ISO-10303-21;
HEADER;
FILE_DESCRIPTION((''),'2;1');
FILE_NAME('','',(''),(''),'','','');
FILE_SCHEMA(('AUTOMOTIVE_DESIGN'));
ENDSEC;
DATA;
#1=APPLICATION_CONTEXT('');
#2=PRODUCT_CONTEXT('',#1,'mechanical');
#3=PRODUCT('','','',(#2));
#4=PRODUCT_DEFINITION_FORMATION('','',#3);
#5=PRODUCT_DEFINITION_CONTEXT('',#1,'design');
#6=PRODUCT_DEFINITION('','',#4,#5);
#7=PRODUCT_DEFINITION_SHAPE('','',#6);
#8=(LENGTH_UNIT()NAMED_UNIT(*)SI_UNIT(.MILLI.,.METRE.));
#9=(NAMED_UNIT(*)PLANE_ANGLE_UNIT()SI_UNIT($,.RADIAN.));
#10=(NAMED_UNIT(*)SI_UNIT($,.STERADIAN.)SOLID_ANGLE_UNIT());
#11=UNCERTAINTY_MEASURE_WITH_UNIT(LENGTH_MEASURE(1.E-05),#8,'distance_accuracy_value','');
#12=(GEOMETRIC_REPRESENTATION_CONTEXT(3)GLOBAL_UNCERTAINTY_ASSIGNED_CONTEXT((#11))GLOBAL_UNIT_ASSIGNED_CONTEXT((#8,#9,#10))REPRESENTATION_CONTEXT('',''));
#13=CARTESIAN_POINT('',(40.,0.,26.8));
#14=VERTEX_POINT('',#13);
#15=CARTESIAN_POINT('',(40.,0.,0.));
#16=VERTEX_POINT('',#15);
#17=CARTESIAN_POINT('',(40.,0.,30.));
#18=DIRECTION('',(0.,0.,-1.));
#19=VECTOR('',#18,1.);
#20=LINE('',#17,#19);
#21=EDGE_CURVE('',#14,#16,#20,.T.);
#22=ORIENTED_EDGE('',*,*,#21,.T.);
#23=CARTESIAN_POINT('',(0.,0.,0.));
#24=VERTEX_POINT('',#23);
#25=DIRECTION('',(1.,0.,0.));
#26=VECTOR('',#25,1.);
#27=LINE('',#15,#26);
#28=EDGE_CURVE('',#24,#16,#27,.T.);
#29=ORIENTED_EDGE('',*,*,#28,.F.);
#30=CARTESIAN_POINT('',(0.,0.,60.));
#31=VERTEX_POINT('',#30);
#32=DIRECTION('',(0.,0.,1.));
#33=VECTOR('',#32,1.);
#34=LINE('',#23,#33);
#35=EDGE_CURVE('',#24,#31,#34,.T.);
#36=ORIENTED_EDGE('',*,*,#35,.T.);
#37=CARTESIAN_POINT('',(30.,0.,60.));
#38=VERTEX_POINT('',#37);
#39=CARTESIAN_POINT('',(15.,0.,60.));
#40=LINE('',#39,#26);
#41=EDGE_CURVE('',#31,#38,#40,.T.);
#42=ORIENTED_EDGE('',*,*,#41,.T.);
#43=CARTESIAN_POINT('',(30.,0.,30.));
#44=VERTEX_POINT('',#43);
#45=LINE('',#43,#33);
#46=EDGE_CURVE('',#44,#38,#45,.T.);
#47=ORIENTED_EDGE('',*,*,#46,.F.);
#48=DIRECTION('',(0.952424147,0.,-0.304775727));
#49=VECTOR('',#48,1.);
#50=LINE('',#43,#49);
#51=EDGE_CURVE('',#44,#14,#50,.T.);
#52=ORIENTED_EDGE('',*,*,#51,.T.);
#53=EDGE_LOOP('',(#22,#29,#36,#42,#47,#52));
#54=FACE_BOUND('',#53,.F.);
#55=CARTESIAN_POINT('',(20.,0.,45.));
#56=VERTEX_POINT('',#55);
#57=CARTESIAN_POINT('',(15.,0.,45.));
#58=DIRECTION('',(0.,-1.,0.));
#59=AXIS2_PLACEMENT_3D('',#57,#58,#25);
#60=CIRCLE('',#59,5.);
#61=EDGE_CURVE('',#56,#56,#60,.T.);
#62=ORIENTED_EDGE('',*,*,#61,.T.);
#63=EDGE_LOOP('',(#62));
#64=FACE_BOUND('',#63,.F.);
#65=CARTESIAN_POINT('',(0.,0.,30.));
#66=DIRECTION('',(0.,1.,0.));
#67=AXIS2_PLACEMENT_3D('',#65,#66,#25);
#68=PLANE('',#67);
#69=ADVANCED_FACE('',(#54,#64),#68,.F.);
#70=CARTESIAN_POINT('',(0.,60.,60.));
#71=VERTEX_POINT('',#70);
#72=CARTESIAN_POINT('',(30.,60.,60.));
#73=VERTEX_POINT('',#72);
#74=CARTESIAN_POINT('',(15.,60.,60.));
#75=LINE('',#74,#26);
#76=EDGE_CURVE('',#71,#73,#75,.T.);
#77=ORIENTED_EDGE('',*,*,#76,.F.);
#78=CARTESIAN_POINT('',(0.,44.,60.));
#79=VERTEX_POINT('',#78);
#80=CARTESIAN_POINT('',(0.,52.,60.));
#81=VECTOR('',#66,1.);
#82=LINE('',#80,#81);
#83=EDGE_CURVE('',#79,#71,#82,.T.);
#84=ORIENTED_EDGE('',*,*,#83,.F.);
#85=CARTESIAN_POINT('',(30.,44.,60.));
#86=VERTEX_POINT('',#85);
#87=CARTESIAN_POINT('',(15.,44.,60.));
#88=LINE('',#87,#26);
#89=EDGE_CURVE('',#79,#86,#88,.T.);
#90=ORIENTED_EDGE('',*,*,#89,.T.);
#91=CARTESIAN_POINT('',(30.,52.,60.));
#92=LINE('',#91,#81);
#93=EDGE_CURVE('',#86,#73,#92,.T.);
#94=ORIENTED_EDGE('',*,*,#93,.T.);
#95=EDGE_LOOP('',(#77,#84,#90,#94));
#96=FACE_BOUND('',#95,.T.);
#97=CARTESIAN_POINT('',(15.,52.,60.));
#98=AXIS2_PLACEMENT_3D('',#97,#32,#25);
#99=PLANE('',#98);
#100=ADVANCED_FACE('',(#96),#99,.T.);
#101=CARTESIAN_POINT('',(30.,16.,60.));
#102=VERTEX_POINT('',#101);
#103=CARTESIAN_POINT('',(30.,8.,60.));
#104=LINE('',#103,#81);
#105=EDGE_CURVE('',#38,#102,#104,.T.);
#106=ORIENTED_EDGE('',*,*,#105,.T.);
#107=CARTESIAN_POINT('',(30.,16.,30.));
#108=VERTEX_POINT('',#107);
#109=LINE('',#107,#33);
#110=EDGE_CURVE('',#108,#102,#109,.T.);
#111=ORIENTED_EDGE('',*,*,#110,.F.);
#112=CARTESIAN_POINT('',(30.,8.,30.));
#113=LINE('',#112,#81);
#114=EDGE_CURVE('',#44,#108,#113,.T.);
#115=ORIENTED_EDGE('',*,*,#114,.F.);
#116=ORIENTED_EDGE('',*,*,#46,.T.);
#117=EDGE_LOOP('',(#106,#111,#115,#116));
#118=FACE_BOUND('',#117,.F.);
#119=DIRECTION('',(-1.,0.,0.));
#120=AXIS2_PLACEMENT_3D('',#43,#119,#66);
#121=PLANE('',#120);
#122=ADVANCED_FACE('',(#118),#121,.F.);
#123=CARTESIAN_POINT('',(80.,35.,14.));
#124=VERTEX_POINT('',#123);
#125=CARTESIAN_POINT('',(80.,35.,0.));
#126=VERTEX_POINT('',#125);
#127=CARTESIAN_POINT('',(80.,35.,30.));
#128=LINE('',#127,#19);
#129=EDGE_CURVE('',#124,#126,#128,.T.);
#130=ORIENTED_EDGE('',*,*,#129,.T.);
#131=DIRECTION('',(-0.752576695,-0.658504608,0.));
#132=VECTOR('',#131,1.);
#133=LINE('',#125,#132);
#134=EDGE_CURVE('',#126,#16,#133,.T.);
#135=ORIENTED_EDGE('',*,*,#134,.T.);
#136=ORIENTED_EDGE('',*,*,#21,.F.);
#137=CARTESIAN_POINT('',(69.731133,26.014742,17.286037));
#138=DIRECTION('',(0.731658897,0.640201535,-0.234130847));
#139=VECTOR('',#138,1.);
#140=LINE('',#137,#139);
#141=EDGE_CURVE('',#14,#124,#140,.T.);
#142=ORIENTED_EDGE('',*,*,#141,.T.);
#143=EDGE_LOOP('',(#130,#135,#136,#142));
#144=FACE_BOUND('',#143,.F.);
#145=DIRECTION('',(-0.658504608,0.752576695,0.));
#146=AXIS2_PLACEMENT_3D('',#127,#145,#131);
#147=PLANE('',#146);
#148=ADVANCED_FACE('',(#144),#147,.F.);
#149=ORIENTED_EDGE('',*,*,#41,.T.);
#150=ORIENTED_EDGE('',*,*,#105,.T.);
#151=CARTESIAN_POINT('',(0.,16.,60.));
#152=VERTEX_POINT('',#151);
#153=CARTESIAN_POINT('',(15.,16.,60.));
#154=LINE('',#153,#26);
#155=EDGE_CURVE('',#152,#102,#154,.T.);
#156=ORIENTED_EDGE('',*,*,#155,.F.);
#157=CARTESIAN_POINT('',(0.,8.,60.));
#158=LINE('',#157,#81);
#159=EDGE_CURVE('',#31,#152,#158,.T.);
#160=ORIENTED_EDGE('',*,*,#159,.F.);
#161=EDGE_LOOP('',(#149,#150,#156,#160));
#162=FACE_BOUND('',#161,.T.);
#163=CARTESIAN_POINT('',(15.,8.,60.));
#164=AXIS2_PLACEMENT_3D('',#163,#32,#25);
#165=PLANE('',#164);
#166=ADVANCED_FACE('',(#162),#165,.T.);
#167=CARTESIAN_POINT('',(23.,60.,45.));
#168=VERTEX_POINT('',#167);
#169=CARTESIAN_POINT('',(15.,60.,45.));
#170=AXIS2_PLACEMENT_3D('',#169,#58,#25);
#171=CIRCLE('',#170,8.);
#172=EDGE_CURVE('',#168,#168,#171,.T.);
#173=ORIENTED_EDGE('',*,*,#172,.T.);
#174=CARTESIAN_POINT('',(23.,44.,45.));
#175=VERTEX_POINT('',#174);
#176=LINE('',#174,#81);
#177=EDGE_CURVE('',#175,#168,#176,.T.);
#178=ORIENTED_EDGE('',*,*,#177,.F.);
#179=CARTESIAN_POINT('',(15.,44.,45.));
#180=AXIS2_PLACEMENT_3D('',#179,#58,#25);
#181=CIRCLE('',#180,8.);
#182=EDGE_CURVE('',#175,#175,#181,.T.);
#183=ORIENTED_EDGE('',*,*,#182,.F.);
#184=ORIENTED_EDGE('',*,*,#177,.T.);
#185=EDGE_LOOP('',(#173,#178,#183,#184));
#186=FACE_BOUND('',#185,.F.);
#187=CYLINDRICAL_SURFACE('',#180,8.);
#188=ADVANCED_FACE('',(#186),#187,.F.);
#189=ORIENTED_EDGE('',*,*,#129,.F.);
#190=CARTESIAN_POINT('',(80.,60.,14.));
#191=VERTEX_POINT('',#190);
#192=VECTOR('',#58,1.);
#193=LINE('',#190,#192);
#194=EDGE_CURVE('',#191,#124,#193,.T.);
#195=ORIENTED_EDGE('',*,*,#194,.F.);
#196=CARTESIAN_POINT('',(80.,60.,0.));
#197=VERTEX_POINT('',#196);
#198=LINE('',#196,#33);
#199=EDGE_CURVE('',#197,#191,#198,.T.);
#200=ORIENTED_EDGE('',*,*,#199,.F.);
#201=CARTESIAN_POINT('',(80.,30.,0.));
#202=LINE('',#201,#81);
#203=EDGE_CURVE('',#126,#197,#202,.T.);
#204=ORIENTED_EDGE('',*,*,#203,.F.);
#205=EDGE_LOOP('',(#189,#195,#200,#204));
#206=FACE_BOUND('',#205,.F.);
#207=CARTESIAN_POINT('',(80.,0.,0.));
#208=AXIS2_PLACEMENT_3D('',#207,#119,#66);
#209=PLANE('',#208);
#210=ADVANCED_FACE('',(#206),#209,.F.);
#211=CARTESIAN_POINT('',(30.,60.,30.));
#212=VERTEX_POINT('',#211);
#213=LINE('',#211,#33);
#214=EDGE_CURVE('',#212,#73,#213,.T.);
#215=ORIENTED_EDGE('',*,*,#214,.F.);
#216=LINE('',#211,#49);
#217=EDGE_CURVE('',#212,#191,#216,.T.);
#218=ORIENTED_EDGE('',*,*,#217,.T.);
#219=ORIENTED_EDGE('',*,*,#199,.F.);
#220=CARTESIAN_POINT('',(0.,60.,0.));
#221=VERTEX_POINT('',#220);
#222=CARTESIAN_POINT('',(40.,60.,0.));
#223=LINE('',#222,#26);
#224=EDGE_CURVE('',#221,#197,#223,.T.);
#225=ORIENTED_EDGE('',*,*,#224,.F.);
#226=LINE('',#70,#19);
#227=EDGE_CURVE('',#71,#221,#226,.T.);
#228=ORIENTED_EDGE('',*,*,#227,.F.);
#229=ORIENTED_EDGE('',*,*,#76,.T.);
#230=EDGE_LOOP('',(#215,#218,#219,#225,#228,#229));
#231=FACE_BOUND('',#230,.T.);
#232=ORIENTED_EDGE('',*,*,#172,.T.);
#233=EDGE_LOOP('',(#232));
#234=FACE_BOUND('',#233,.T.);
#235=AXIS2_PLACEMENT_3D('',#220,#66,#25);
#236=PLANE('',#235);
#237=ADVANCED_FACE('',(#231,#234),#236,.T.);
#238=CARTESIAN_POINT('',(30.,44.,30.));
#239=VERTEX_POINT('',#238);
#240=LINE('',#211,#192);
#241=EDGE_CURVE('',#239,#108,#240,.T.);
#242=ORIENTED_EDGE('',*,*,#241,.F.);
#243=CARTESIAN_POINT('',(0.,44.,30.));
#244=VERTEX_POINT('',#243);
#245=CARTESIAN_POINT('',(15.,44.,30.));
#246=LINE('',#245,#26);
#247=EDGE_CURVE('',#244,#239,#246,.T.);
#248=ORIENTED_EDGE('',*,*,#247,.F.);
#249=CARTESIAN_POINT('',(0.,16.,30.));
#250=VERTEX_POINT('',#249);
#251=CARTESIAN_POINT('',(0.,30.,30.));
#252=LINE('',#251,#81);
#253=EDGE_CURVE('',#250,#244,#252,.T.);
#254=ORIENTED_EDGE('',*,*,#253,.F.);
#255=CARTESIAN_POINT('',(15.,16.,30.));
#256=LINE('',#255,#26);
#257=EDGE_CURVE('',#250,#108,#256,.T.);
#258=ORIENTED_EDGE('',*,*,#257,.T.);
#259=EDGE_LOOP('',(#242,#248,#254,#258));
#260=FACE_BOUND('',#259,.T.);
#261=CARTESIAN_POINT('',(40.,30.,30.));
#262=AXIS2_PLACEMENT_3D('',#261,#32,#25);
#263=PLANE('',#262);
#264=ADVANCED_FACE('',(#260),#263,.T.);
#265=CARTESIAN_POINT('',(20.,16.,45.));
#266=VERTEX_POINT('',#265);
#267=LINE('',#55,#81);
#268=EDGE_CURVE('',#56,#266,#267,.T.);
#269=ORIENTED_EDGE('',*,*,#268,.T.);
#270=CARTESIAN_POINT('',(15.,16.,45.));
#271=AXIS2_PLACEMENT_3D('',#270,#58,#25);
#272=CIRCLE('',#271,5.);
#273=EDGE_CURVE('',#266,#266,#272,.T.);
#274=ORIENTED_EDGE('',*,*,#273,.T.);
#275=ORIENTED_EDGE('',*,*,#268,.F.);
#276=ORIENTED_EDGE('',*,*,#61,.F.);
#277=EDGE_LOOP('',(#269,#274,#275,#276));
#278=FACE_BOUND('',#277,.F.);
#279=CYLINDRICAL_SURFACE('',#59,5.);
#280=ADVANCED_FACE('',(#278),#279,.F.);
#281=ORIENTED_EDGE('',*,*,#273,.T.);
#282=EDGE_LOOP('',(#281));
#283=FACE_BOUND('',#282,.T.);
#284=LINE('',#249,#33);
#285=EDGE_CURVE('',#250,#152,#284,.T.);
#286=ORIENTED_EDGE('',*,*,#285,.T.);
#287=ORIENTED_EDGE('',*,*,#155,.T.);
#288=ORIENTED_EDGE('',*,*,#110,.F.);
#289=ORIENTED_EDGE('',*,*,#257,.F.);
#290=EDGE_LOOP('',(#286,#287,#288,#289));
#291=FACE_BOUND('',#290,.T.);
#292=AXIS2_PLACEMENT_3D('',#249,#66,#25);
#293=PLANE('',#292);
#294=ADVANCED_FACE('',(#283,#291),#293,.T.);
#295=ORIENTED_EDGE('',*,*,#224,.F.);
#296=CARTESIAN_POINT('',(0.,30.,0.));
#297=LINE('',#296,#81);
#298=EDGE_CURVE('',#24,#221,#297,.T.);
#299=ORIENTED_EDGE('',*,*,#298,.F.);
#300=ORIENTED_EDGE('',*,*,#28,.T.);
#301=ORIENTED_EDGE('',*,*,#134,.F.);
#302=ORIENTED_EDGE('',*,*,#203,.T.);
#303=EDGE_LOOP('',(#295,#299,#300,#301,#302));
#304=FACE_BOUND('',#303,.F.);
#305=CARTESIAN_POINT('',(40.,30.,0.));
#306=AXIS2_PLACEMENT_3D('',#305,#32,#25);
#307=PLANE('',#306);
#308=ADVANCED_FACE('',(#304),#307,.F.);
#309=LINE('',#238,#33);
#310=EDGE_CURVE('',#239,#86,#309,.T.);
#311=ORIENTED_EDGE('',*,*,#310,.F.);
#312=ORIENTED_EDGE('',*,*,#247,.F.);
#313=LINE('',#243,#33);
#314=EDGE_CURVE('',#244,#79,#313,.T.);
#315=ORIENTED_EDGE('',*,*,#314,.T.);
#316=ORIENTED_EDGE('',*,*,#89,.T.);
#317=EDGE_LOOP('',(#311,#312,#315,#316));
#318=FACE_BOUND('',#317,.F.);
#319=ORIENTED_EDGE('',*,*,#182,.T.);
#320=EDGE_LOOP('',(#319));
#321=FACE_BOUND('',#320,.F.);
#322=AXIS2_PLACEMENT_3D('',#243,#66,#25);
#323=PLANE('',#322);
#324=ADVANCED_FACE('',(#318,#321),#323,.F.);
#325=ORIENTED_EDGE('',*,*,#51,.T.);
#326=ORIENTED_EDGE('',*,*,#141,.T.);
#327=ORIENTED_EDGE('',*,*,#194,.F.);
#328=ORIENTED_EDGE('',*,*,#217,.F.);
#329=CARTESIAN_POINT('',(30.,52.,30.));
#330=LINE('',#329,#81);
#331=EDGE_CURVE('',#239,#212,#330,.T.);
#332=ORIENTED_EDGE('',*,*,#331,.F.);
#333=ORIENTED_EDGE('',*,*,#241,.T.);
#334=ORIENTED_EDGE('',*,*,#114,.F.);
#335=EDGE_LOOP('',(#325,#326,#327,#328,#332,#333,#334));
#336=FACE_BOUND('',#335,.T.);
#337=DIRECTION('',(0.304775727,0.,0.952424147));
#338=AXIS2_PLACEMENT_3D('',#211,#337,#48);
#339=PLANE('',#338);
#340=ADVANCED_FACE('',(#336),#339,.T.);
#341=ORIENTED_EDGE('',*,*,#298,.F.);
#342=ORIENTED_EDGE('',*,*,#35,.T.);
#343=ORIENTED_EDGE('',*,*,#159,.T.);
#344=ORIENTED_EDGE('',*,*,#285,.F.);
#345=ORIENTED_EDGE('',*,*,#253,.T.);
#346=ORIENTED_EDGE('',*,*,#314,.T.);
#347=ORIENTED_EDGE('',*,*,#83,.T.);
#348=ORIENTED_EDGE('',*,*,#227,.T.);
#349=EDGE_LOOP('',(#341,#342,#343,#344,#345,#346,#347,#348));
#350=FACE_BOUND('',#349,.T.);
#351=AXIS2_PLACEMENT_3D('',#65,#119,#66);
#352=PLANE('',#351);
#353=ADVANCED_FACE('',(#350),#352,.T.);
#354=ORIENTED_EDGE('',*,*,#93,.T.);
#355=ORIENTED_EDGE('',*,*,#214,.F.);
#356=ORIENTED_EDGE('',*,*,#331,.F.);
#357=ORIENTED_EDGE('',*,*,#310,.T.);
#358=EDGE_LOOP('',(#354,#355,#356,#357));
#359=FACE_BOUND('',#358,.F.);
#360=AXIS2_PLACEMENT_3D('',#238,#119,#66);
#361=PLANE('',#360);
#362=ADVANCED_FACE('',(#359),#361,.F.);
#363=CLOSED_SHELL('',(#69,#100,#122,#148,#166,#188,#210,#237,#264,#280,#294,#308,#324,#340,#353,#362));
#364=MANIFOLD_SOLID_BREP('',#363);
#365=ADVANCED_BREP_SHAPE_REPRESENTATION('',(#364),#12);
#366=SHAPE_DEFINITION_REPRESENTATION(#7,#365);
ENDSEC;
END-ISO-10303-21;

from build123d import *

# Parameters (mm, degrees)
SKETCH_W        = 80
SKETCH_H        = 60
PAD_DEPTH       = 30
POCKET_DEPTH    = 30
SKETCH003_W     = 30
SKETCH003_H     = 16
PAD001_DEPTH    = 30
POCKET001_DEPTH = 60
SKETCH005_R     = 5
HOLE_DEPTH      = 16
SKETCH006_R     = 8
HOLE001_DEPTH   = 16


with BuildPart() as part:
    # Sketch → Pad (new body)
    with BuildSketch(Plane.XY):
        with Locations((40, 30)):
            Rectangle(SKETCH_W, SKETCH_H)
    extrude(amount=PAD_DEPTH)

    # Sketch001 (on Face6 of Pad) → Pocket (cut)
    with BuildSketch(Plane.XY.offset(30)):
        Polygon((80, 0), (80, 35), (40, 0), align=None)
    extrude(amount=-POCKET_DEPTH, mode=Mode.SUBTRACT)

    # Sketch003 (on Face4 of Pocket) → Pad001 (join)
    with BuildSketch(Plane.XY.offset(30)):
        with Locations((15, 8)):
            Rectangle(SKETCH003_W, SKETCH003_H)
        with Locations((15, 52)):
            Rectangle(SKETCH003_W, SKETCH003_H)
    extrude(amount=PAD001_DEPTH)

    # Sketch004 (on Face7 of Pad001) → Pocket001 (cut)
    with BuildSketch(Plane(origin=(0, 60, 0), x_dir=(-1, 0, 0), z_dir=(0, 1, 0))):
        Polygon((-30, 30), (-80, 14), (-80, 30), align=None)
    extrude(amount=-POCKET001_DEPTH, mode=Mode.SUBTRACT)

    # Sketch005 (on Face5 of Pocket001) → Hole (cut)
    with BuildSketch(Plane.XZ):
        with Locations((15, 45)):
            Circle(SKETCH005_R)
    extrude(amount=-HOLE_DEPTH, mode=Mode.SUBTRACT)

    # Sketch006 (on Face17 of Hole) → Hole001 (cut)
    with BuildSketch(Plane.XZ.offset(-44)):
        with Locations((15, 45)):
            Circle(SKETCH006_R)
    extrude(amount=-HOLE001_DEPTH, mode=Mode.SUBTRACT)


solid = part.part
